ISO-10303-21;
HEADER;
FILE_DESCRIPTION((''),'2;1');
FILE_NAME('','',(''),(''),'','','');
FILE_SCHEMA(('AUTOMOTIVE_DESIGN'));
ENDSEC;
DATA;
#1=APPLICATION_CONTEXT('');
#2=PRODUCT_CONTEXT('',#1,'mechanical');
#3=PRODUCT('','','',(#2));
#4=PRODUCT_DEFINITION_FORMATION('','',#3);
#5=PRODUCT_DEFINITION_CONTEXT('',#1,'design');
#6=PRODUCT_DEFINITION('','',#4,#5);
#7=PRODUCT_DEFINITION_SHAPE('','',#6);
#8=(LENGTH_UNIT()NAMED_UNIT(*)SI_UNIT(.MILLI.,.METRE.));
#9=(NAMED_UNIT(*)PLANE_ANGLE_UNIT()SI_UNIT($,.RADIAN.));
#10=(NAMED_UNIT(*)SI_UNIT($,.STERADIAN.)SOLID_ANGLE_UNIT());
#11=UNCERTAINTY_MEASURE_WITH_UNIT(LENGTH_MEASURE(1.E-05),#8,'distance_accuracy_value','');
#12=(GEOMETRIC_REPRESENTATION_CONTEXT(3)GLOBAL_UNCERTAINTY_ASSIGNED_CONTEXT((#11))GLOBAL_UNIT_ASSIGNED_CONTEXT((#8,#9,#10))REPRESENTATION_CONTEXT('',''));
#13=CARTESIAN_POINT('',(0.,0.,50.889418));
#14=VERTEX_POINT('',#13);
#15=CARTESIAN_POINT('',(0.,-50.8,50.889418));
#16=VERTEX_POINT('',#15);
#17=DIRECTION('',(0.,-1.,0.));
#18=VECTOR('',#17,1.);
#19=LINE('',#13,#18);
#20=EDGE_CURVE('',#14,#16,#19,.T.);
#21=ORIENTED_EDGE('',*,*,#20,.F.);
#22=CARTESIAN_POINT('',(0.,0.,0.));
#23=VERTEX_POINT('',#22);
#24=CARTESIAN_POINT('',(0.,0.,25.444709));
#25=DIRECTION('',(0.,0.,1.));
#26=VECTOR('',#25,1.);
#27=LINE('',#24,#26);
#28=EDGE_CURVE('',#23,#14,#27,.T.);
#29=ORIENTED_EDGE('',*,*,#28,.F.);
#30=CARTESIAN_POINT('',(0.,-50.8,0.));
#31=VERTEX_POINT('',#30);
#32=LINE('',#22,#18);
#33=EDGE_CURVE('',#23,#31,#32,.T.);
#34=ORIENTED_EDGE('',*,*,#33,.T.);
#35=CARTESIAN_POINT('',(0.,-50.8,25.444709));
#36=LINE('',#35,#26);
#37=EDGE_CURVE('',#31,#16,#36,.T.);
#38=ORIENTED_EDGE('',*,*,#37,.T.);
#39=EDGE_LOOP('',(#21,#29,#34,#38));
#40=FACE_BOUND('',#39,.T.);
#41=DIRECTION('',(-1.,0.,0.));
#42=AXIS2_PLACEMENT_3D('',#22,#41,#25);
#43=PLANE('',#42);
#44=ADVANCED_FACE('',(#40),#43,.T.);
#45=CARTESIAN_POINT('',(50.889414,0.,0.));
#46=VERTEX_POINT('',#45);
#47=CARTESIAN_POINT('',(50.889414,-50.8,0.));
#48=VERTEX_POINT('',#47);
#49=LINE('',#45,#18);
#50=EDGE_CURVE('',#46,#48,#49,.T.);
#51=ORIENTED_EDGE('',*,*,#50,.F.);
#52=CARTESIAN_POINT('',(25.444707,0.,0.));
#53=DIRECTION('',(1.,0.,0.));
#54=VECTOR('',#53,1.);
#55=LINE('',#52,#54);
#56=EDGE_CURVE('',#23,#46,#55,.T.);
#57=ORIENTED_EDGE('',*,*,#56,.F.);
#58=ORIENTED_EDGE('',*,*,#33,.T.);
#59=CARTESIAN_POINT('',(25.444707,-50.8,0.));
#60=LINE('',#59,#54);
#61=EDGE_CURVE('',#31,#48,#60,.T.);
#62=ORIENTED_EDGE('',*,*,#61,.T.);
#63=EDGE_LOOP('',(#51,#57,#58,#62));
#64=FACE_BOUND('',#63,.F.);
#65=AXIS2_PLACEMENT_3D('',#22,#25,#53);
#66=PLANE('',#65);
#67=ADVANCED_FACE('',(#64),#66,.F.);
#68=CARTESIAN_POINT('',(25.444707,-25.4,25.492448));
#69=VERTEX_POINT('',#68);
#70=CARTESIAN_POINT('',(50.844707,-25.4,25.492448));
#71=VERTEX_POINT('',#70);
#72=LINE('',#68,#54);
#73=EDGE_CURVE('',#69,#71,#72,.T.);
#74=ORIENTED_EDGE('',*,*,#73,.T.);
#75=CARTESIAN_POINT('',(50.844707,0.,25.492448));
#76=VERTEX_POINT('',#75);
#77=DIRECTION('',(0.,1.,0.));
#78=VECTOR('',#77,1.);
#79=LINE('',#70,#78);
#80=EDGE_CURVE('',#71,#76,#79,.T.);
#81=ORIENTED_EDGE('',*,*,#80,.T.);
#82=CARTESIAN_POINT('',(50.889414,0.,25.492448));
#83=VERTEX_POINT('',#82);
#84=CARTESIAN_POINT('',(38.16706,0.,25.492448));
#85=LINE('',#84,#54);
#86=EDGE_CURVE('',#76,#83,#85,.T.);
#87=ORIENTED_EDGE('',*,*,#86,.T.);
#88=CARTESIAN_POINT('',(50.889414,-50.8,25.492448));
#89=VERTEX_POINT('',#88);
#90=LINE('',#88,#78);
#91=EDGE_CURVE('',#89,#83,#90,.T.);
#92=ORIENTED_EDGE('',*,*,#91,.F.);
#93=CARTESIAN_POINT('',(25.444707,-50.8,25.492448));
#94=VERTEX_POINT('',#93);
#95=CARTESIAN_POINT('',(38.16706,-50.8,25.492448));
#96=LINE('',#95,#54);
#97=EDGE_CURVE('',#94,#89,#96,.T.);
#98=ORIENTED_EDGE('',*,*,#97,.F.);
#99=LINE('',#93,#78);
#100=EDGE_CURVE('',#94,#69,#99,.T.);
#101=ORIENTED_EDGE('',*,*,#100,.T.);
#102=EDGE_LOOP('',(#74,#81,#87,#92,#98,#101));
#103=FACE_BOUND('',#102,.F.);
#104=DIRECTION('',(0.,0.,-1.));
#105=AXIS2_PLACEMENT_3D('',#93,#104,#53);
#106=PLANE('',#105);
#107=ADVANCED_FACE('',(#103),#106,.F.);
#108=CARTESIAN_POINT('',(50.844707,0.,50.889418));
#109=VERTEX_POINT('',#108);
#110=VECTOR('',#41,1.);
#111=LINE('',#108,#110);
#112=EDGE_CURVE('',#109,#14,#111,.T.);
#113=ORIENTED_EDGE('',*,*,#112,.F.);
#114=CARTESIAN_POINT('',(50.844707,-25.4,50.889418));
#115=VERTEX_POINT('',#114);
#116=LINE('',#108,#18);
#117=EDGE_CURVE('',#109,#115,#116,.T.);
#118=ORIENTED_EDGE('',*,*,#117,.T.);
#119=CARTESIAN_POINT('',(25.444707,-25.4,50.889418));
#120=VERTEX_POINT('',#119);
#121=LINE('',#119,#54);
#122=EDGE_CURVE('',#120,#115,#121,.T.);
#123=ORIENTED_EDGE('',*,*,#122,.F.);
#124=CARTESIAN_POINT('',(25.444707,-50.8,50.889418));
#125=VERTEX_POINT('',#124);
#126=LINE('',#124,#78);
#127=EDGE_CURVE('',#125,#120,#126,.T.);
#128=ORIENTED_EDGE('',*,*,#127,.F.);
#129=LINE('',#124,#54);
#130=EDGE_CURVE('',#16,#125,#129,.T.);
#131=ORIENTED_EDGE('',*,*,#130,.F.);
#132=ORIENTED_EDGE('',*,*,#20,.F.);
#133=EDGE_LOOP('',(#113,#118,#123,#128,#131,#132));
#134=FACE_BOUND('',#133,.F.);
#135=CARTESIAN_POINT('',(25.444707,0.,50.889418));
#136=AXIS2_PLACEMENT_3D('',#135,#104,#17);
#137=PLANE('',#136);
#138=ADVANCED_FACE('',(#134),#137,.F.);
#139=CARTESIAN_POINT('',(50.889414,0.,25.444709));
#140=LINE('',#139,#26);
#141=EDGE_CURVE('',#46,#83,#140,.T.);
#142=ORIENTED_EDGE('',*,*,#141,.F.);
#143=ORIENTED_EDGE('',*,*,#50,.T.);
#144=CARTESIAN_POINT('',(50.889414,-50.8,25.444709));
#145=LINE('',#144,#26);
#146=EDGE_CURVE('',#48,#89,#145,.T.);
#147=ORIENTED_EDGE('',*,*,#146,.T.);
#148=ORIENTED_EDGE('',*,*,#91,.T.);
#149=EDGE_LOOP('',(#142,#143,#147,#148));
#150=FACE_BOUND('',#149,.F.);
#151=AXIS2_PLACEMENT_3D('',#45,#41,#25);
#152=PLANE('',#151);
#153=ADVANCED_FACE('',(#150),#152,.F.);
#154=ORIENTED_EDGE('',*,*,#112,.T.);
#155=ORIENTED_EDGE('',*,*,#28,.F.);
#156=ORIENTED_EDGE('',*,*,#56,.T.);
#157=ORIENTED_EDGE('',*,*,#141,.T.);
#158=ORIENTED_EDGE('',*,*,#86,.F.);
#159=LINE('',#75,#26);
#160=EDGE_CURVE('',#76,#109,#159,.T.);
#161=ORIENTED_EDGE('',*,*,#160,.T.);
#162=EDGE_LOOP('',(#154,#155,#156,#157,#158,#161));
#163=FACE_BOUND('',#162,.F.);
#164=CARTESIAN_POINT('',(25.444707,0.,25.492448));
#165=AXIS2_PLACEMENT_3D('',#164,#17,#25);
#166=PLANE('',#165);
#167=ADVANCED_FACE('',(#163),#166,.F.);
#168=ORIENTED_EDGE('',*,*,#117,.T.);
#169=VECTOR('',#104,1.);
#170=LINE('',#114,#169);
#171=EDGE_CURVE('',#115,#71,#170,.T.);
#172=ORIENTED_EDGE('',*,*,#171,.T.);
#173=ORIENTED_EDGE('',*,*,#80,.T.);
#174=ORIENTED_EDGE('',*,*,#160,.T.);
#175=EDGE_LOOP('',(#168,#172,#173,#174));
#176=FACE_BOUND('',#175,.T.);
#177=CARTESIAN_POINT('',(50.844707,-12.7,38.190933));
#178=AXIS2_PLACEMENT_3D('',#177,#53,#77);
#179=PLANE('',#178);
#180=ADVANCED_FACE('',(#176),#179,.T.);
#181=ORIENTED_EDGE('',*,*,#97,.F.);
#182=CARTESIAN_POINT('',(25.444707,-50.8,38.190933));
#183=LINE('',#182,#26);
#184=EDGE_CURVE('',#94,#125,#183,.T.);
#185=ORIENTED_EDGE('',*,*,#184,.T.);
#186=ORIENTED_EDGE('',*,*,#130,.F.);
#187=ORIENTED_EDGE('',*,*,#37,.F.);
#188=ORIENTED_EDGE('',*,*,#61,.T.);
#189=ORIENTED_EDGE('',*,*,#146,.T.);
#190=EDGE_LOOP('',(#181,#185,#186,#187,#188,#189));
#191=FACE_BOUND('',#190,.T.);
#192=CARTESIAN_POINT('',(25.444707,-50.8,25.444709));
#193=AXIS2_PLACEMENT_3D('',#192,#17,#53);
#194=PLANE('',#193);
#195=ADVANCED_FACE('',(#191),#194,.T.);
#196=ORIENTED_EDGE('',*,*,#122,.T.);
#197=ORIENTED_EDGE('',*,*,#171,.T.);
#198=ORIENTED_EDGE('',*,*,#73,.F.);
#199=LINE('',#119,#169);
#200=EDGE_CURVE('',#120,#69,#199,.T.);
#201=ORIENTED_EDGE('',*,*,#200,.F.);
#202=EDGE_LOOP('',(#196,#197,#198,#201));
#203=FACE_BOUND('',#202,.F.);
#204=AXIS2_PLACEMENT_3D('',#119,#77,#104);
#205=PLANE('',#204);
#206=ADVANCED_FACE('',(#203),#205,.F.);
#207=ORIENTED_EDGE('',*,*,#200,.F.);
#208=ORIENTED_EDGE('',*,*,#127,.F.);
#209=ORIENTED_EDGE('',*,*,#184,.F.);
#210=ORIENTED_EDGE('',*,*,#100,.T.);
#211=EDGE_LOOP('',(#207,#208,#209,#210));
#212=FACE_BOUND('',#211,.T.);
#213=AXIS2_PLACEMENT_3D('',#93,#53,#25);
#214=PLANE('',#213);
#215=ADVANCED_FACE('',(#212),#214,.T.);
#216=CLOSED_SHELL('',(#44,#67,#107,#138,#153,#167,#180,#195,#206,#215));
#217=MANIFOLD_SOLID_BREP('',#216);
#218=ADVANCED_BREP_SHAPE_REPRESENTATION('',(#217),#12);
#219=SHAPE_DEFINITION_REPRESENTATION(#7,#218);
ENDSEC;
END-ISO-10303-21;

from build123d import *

# Parameters (mm, degrees)
F0_W     = 50.8894138038
F0_H     = 50.8894175291
F1_DEPTH = 50.8
F2_W     = 25.4447069019
F2_H     = 25.3969691694
F3_DEPTH = 50.8
F5_DEPTH = 25.4


with BuildPart() as f1:
    # F0 (on Front) → F1 (new body)
    with BuildSketch(Plane.XZ):
        with Locations((25.4447069019, 25.4447087646)):
            Rectangle(F0_W, F0_H)
    extrude(amount=F1_DEPTH)

    # F2 (on face) → F3 (cut)
    with BuildSketch(Plane.XZ.offset(50.8)):
        with Locations((38.1670603529, 38.1909329444)):
            Rectangle(F2_W, F2_H)
    extrude(amount=-F3_DEPTH, mode=Mode.SUBTRACT)

    # F4 (on face) → F5 (join)
    with BuildSketch(Plane.YZ.offset(25.4447069019)):
        Polygon((0, 50.8894175291), (-25.4, 50.8894175291), (-25.4, 25.4924483597), (0, 25.4924483597), (0, 29.243901372), (0, 43.372977525), align=None)
    extrude(amount=F5_DEPTH)


solid = f1.part
